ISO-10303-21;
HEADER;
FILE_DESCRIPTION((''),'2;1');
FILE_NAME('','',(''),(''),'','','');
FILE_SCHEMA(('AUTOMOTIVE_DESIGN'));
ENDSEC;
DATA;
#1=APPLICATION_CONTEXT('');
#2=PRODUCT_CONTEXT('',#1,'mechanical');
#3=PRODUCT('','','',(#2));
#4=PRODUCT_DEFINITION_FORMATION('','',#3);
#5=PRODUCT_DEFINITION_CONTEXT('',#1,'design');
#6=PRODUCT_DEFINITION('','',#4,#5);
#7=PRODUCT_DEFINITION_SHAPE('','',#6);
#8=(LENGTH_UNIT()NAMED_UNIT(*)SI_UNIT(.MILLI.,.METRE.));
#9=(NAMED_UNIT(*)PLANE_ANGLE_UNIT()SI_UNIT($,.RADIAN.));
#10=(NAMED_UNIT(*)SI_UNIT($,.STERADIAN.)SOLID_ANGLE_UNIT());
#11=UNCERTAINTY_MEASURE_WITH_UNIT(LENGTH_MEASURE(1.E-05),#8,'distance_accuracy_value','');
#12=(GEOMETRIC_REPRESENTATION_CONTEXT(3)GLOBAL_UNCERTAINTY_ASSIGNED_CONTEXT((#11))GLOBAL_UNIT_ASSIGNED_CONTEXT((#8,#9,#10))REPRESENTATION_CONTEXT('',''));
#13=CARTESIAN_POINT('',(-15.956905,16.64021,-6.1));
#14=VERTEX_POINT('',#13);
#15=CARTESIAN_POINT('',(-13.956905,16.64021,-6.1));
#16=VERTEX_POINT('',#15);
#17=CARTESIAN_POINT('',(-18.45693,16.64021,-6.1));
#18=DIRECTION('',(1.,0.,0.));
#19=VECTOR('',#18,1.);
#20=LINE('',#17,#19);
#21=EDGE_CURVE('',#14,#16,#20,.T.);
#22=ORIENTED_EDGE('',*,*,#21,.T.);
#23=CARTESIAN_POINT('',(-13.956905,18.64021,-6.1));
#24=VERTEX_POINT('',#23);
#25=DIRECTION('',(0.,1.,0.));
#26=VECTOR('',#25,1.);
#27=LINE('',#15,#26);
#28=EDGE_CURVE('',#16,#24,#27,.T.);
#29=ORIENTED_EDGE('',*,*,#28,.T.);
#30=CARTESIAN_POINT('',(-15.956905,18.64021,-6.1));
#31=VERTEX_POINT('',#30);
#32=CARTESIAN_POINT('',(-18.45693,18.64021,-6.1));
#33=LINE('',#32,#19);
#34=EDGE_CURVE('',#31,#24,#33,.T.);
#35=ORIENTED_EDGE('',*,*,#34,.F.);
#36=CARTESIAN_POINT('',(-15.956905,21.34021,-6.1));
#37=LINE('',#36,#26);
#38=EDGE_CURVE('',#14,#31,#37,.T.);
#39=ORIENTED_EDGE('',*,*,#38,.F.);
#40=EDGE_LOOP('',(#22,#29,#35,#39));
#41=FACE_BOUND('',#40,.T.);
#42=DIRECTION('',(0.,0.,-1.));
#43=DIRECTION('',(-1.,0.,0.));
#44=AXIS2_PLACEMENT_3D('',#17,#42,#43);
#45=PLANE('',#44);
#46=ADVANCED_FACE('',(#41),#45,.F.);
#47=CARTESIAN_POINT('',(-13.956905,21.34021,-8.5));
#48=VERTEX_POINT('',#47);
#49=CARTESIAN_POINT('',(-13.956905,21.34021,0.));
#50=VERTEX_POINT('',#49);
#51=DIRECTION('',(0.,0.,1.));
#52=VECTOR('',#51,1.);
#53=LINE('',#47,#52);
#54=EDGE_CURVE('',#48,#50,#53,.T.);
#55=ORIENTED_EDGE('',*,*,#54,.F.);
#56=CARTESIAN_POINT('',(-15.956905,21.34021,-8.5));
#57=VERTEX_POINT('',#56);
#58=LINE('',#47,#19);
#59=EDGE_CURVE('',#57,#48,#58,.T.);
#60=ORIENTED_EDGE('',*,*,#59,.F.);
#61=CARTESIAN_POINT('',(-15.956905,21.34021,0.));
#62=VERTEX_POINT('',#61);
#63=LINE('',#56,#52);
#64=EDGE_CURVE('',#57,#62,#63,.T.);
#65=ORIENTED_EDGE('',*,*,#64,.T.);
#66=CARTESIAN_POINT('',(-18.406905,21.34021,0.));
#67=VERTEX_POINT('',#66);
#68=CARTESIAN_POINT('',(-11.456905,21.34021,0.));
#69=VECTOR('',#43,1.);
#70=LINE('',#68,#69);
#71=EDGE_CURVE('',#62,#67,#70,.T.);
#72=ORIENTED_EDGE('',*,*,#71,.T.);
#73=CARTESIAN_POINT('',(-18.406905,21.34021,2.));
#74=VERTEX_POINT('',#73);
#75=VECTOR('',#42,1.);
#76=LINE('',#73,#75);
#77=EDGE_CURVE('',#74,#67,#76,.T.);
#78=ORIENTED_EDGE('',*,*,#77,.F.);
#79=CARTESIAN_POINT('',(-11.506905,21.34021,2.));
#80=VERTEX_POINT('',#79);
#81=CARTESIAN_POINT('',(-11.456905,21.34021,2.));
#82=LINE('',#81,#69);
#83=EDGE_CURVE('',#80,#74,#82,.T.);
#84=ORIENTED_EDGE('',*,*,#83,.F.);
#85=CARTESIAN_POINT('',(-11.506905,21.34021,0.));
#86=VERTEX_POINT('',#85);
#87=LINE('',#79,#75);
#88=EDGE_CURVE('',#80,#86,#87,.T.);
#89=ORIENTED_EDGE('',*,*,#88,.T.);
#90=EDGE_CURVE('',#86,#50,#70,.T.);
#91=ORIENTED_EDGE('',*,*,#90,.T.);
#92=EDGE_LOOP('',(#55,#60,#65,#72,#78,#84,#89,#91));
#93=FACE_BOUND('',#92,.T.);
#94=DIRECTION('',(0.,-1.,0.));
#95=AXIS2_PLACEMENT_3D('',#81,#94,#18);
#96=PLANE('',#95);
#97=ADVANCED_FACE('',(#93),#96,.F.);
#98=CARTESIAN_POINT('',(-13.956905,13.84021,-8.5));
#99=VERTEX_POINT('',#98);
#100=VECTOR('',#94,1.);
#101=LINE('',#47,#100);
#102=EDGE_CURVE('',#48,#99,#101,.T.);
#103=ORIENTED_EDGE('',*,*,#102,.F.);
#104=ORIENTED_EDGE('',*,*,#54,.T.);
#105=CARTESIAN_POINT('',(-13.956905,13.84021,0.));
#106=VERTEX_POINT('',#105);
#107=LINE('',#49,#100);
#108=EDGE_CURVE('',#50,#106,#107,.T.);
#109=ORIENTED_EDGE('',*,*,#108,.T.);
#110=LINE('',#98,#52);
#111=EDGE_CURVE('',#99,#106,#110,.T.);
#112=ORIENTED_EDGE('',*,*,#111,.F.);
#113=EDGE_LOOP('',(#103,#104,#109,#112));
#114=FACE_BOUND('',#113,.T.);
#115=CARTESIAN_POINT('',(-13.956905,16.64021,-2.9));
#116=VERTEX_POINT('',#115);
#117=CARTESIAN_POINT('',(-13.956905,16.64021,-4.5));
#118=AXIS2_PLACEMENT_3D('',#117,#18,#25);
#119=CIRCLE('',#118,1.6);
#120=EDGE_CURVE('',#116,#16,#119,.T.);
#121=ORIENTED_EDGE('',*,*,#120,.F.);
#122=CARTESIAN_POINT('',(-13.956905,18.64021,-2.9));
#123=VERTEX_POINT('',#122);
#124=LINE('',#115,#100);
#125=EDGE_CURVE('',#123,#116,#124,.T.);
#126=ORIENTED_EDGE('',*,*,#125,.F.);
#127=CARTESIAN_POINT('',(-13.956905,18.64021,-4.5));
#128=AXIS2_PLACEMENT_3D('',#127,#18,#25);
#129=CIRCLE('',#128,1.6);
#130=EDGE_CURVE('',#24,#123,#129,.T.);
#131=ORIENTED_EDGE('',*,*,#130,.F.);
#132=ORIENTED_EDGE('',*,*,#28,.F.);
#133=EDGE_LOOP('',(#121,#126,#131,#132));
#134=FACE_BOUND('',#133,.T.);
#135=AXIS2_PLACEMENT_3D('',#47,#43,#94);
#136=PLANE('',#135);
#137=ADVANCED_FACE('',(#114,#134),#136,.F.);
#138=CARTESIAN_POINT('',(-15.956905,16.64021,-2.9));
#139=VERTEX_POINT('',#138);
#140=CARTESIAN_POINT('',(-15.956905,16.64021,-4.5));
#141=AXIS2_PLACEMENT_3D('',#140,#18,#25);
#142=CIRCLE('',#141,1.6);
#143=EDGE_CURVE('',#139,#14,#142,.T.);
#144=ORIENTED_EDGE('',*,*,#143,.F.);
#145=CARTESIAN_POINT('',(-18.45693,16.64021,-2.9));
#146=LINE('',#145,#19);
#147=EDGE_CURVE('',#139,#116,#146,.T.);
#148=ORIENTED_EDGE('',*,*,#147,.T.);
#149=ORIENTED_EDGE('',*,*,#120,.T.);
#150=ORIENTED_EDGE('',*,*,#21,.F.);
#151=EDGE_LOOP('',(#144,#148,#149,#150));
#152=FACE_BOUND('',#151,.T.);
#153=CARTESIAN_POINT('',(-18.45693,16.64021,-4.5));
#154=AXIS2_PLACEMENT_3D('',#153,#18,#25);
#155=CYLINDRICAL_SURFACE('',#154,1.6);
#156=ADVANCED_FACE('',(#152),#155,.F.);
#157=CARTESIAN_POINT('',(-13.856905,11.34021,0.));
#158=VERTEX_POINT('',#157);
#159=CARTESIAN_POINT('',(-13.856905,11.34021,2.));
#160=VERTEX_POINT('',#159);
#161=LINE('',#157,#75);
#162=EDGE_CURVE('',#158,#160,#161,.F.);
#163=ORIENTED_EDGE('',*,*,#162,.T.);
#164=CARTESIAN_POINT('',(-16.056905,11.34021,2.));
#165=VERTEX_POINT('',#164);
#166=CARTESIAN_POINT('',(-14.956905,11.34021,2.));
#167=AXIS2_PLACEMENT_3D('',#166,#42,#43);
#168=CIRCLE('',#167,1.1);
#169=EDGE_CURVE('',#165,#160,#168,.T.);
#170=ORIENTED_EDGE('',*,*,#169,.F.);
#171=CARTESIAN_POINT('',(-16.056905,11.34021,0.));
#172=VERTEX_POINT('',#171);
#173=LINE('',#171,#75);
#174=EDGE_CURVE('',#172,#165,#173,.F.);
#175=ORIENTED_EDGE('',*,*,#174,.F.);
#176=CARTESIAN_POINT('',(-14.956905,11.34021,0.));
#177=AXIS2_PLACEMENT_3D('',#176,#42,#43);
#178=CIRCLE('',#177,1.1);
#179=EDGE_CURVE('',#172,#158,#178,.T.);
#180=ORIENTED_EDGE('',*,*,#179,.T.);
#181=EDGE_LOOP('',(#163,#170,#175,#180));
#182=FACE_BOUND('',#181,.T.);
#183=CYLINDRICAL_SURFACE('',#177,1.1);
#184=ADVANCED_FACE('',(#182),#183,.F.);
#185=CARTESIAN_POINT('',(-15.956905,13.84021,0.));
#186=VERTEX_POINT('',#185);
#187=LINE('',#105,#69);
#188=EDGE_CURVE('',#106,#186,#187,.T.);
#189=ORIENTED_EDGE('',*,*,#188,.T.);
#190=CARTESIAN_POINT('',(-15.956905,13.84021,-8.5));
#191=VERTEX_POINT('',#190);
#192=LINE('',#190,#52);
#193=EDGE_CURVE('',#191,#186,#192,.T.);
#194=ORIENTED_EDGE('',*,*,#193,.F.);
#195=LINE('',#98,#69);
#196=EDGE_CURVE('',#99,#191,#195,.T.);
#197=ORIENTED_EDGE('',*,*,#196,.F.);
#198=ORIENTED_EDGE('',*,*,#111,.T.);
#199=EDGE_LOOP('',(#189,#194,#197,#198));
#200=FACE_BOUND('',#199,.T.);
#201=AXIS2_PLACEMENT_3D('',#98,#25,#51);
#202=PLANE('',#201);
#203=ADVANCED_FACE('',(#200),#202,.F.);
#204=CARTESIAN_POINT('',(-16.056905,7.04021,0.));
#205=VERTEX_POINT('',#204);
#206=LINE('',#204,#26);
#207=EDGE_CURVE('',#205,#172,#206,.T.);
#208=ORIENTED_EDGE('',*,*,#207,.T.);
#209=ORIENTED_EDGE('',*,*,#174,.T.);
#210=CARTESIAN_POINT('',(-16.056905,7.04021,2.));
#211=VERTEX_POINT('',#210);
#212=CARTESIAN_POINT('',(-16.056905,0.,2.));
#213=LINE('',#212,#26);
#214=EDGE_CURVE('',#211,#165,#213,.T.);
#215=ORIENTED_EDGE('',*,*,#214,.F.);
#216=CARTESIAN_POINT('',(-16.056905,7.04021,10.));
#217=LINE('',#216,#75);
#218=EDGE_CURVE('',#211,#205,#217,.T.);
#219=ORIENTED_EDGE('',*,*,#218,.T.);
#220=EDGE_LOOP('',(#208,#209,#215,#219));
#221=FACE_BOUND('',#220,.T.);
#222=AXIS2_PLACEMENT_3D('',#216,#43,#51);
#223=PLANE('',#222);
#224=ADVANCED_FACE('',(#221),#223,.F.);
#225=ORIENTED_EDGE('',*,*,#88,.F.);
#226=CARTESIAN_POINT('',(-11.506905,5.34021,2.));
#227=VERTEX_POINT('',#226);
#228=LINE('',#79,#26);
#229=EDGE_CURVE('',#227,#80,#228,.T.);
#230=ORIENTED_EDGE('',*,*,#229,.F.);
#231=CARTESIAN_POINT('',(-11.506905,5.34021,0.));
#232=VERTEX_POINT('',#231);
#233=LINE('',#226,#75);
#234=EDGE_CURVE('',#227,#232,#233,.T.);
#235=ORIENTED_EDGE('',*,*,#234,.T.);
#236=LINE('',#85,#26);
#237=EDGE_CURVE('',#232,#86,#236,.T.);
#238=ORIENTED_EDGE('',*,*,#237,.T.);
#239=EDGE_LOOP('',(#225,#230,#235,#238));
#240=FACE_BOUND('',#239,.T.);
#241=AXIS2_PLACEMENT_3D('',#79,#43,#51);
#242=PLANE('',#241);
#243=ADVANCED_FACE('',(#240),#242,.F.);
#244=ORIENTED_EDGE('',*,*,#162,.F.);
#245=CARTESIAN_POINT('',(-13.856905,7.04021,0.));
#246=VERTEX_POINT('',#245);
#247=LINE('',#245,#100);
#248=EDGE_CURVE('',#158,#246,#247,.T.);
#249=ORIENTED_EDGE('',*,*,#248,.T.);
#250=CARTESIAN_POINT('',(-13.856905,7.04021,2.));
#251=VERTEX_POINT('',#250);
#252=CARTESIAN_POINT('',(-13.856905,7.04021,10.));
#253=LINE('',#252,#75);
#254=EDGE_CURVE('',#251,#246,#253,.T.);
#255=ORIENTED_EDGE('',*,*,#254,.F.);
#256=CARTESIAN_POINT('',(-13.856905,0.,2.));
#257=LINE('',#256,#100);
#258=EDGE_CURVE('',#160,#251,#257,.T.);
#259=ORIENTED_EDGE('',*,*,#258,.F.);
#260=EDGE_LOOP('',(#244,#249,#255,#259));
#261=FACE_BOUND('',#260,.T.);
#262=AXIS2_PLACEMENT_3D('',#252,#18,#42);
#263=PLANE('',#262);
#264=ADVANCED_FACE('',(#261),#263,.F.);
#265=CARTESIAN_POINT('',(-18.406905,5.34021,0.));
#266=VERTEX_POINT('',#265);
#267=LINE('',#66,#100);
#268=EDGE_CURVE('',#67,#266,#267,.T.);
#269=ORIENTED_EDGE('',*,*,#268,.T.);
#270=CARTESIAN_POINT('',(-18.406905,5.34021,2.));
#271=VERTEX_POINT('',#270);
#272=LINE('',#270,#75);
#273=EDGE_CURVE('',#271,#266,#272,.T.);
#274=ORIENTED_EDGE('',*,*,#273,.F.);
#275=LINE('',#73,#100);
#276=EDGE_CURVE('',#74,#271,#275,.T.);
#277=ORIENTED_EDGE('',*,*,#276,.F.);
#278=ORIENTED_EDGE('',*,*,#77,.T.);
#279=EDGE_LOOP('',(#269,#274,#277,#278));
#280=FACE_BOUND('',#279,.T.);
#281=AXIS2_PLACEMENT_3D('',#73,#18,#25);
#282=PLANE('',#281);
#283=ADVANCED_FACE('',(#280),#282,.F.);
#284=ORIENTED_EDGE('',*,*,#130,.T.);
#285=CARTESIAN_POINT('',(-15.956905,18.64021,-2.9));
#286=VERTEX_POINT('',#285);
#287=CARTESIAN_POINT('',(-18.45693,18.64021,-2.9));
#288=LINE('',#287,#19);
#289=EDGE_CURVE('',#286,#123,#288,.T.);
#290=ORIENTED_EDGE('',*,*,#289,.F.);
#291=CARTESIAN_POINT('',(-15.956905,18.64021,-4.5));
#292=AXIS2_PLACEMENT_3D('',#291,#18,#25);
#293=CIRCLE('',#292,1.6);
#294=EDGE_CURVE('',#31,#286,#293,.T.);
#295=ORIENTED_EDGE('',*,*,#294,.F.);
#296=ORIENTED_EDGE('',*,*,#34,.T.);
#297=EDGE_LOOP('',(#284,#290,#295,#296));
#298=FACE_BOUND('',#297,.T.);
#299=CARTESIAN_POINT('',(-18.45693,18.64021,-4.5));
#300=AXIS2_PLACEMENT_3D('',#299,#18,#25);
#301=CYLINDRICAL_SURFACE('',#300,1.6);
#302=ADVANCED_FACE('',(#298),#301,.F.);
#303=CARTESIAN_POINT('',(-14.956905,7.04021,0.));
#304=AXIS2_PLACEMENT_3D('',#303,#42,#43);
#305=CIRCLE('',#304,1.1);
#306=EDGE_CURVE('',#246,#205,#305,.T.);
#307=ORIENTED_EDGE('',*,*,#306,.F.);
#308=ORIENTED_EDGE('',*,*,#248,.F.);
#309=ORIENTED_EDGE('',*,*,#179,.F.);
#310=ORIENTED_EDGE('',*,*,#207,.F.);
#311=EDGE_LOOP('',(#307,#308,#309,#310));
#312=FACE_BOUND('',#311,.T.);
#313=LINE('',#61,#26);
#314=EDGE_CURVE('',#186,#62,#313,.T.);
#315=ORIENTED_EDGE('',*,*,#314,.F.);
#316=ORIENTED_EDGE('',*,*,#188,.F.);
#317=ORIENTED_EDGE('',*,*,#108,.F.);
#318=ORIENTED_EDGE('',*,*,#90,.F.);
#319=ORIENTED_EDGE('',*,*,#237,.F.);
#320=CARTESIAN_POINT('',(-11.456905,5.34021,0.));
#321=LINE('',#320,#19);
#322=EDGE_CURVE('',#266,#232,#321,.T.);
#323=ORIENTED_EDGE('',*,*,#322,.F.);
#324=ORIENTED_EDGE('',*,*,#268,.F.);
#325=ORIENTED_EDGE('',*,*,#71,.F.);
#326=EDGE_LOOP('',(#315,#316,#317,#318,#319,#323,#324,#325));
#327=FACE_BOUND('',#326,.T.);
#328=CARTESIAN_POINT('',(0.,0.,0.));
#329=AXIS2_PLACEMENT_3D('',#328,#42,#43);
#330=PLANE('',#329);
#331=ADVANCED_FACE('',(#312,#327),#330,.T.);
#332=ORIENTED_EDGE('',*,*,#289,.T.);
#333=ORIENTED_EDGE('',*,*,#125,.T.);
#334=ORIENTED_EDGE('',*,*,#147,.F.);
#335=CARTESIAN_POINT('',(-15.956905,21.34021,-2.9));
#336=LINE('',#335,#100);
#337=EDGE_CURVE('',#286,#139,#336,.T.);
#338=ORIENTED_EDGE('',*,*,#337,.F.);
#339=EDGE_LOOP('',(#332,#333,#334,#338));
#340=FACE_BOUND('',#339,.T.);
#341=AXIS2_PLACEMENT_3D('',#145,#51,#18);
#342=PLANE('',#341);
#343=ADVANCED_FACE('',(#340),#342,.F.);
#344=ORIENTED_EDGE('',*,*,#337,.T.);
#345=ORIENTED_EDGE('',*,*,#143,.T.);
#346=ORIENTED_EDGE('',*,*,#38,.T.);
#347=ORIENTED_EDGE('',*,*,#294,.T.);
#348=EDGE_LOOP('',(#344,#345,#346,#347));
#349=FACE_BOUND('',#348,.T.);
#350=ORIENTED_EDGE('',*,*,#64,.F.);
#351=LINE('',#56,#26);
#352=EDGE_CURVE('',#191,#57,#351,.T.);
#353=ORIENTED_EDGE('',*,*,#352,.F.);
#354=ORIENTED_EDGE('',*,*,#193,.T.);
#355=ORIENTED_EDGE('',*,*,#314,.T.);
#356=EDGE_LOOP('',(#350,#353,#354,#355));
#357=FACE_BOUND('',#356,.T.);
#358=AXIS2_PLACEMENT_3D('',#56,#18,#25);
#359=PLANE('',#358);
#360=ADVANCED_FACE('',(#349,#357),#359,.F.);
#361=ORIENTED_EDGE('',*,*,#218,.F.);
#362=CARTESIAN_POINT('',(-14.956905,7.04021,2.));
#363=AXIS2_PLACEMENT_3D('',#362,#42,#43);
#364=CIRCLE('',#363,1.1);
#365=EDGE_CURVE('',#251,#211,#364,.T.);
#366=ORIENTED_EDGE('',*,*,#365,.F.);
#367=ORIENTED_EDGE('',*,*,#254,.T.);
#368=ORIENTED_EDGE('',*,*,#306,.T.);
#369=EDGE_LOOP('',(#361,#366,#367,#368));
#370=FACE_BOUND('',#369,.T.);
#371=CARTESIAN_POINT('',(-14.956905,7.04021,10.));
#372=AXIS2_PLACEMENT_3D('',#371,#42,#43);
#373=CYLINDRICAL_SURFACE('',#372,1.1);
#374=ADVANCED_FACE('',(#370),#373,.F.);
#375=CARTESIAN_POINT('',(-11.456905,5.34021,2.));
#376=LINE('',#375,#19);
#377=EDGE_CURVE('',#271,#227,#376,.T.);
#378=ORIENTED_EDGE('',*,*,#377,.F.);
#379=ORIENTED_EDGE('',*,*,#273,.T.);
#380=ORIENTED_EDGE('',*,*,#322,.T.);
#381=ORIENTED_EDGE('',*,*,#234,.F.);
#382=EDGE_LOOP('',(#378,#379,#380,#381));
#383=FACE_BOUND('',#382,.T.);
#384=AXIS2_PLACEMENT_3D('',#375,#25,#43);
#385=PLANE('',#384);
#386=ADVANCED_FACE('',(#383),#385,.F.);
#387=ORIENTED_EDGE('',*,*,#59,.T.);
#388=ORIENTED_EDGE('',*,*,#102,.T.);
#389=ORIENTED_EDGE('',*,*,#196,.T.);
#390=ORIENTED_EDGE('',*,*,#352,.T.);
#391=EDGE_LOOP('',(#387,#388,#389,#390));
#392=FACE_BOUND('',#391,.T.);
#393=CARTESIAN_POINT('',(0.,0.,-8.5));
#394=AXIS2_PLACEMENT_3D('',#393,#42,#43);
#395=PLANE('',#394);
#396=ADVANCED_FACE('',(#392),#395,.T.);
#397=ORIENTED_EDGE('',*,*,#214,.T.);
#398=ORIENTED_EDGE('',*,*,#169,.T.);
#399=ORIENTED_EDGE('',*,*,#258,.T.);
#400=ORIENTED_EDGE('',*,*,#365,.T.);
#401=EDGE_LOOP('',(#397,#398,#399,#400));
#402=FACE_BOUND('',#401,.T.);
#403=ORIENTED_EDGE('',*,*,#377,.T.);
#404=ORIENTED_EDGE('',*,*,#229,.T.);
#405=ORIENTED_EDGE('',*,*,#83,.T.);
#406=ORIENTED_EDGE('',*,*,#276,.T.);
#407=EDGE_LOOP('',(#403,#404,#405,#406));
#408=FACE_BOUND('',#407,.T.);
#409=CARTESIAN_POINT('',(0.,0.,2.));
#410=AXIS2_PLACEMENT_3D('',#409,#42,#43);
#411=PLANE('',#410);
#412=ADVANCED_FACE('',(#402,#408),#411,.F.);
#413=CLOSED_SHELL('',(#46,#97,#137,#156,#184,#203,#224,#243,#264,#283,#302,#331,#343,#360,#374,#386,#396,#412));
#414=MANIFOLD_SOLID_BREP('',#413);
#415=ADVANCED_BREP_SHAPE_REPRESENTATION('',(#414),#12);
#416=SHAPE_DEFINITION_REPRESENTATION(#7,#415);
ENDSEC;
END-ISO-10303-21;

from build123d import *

# Parameters (mm, degrees)
SKETCH7_W                      = 7
SKETCH7_H                      = 16
BOSS_EXTRUDE6_DEPTH            = 2
SKETCH8_W                      = 2
SKETCH8_H                      = 7.5
BOSS_EXTRUDE7_DEPTH            = 8.5
F_2_2_2_2_DIAMETER_HOLE1_D     = 2.2
F_2_2_2_2_DIAMETER_HOLE1_DEPTH = 2
CUT_EXTRUDE3_DEPTH             = 5.5
CUT_EXTRUDE5_DEPTH             = 10
SKETCH18_W                     = 0.05
SKETCH18_H                     = 16
CUT_EXTRUDE6_DEPTH             = 3


with BuildPart() as part:
    # Sketch7 → Boss-Extrude6 (new body)
    with BuildSketch(Plane.XY):
        with Locations((-14.956904704, 13.340209502)):
            Rectangle(SKETCH7_W, SKETCH7_H)
    extrude(amount=BOSS_EXTRUDE6_DEPTH)

    # Sketch8 → Boss-Extrude7 (add)
    with BuildSketch(Plane(origin=(0, 0, 0), x_dir=(-1, 0, 0), z_dir=(0, 0, -1))):
        with Locations((14.956904704, 17.590209502)):
            Rectangle(SKETCH8_W, SKETCH8_H)
    extrude(amount=BOSS_EXTRUDE7_DEPTH)

    # Ø2.2 (2.2) Diameter Hole1
    with Locations(Plane(origin=(0, 0, 0), x_dir=(-1, 0, 0), z_dir=(0, 0, -1))):
        with Locations((14.956904704, 11.340209502)):
            Hole(F_2_2_2_2_DIAMETER_HOLE1_D / 2, depth=F_2_2_2_2_DIAMETER_HOLE1_DEPTH)

    # Sketch15 → Cut-Extrude3 (cut, through all)
    with BuildSketch(Plane(origin=(-13.956904704, 0, 0), x_dir=(0, 0, -1), z_dir=(1, 0, 0))):
        with BuildLine():
            Line((2.9, 16.640209502), (2.9, 18.640209502))
            ThreePointArc((2.9, 18.640209502), (4.5, 20.240209502), (6.1, 18.640209502))
            Line((6.1, 18.640209502), (6.1, 16.640209502))
            ThreePointArc((6.1, 16.640209502), (4.5, 15.040209502), (2.9, 16.640209502))
        make_face()
    extrude(amount=-CUT_EXTRUDE3_DEPTH, mode=Mode.SUBTRACT)

    # Sketch17 → Cut-Extrude5 (cut)
    with BuildSketch(Plane(origin=(0, 0, 0), x_dir=(-1, 0, 0), z_dir=(0, 0, -1))):
        with BuildLine():
            Line((13.856904704, 7.040209502), (13.856904704, 11.340209502))
            Line((13.856904704, 11.340209502), (16.056904704, 11.340209502))
            Line((16.056904704, 11.340209502), (16.056904704, 7.040209502))
            ThreePointArc((16.056904704, 7.040209502), (14.956904704, 5.940209502), (13.856904704, 7.040209502))
        make_face()
    extrude(amount=-CUT_EXTRUDE5_DEPTH, mode=Mode.SUBTRACT)

    # Sketch18 → Cut-Extrude6 (cut, through all)
    with BuildSketch(Plane(origin=(0, 0, 0), x_dir=(-1, 0, 0), z_dir=(0, 0, -1))):
        with Locations((11.481904704, 13.340209502)):
            Rectangle(SKETCH18_W, SKETCH18_H)
        with Locations((18.431904704, 13.340209502)):
            Rectangle(SKETCH18_W, SKETCH18_H)
    extrude(amount=-CUT_EXTRUDE6_DEPTH, mode=Mode.SUBTRACT)


solid = part.part
